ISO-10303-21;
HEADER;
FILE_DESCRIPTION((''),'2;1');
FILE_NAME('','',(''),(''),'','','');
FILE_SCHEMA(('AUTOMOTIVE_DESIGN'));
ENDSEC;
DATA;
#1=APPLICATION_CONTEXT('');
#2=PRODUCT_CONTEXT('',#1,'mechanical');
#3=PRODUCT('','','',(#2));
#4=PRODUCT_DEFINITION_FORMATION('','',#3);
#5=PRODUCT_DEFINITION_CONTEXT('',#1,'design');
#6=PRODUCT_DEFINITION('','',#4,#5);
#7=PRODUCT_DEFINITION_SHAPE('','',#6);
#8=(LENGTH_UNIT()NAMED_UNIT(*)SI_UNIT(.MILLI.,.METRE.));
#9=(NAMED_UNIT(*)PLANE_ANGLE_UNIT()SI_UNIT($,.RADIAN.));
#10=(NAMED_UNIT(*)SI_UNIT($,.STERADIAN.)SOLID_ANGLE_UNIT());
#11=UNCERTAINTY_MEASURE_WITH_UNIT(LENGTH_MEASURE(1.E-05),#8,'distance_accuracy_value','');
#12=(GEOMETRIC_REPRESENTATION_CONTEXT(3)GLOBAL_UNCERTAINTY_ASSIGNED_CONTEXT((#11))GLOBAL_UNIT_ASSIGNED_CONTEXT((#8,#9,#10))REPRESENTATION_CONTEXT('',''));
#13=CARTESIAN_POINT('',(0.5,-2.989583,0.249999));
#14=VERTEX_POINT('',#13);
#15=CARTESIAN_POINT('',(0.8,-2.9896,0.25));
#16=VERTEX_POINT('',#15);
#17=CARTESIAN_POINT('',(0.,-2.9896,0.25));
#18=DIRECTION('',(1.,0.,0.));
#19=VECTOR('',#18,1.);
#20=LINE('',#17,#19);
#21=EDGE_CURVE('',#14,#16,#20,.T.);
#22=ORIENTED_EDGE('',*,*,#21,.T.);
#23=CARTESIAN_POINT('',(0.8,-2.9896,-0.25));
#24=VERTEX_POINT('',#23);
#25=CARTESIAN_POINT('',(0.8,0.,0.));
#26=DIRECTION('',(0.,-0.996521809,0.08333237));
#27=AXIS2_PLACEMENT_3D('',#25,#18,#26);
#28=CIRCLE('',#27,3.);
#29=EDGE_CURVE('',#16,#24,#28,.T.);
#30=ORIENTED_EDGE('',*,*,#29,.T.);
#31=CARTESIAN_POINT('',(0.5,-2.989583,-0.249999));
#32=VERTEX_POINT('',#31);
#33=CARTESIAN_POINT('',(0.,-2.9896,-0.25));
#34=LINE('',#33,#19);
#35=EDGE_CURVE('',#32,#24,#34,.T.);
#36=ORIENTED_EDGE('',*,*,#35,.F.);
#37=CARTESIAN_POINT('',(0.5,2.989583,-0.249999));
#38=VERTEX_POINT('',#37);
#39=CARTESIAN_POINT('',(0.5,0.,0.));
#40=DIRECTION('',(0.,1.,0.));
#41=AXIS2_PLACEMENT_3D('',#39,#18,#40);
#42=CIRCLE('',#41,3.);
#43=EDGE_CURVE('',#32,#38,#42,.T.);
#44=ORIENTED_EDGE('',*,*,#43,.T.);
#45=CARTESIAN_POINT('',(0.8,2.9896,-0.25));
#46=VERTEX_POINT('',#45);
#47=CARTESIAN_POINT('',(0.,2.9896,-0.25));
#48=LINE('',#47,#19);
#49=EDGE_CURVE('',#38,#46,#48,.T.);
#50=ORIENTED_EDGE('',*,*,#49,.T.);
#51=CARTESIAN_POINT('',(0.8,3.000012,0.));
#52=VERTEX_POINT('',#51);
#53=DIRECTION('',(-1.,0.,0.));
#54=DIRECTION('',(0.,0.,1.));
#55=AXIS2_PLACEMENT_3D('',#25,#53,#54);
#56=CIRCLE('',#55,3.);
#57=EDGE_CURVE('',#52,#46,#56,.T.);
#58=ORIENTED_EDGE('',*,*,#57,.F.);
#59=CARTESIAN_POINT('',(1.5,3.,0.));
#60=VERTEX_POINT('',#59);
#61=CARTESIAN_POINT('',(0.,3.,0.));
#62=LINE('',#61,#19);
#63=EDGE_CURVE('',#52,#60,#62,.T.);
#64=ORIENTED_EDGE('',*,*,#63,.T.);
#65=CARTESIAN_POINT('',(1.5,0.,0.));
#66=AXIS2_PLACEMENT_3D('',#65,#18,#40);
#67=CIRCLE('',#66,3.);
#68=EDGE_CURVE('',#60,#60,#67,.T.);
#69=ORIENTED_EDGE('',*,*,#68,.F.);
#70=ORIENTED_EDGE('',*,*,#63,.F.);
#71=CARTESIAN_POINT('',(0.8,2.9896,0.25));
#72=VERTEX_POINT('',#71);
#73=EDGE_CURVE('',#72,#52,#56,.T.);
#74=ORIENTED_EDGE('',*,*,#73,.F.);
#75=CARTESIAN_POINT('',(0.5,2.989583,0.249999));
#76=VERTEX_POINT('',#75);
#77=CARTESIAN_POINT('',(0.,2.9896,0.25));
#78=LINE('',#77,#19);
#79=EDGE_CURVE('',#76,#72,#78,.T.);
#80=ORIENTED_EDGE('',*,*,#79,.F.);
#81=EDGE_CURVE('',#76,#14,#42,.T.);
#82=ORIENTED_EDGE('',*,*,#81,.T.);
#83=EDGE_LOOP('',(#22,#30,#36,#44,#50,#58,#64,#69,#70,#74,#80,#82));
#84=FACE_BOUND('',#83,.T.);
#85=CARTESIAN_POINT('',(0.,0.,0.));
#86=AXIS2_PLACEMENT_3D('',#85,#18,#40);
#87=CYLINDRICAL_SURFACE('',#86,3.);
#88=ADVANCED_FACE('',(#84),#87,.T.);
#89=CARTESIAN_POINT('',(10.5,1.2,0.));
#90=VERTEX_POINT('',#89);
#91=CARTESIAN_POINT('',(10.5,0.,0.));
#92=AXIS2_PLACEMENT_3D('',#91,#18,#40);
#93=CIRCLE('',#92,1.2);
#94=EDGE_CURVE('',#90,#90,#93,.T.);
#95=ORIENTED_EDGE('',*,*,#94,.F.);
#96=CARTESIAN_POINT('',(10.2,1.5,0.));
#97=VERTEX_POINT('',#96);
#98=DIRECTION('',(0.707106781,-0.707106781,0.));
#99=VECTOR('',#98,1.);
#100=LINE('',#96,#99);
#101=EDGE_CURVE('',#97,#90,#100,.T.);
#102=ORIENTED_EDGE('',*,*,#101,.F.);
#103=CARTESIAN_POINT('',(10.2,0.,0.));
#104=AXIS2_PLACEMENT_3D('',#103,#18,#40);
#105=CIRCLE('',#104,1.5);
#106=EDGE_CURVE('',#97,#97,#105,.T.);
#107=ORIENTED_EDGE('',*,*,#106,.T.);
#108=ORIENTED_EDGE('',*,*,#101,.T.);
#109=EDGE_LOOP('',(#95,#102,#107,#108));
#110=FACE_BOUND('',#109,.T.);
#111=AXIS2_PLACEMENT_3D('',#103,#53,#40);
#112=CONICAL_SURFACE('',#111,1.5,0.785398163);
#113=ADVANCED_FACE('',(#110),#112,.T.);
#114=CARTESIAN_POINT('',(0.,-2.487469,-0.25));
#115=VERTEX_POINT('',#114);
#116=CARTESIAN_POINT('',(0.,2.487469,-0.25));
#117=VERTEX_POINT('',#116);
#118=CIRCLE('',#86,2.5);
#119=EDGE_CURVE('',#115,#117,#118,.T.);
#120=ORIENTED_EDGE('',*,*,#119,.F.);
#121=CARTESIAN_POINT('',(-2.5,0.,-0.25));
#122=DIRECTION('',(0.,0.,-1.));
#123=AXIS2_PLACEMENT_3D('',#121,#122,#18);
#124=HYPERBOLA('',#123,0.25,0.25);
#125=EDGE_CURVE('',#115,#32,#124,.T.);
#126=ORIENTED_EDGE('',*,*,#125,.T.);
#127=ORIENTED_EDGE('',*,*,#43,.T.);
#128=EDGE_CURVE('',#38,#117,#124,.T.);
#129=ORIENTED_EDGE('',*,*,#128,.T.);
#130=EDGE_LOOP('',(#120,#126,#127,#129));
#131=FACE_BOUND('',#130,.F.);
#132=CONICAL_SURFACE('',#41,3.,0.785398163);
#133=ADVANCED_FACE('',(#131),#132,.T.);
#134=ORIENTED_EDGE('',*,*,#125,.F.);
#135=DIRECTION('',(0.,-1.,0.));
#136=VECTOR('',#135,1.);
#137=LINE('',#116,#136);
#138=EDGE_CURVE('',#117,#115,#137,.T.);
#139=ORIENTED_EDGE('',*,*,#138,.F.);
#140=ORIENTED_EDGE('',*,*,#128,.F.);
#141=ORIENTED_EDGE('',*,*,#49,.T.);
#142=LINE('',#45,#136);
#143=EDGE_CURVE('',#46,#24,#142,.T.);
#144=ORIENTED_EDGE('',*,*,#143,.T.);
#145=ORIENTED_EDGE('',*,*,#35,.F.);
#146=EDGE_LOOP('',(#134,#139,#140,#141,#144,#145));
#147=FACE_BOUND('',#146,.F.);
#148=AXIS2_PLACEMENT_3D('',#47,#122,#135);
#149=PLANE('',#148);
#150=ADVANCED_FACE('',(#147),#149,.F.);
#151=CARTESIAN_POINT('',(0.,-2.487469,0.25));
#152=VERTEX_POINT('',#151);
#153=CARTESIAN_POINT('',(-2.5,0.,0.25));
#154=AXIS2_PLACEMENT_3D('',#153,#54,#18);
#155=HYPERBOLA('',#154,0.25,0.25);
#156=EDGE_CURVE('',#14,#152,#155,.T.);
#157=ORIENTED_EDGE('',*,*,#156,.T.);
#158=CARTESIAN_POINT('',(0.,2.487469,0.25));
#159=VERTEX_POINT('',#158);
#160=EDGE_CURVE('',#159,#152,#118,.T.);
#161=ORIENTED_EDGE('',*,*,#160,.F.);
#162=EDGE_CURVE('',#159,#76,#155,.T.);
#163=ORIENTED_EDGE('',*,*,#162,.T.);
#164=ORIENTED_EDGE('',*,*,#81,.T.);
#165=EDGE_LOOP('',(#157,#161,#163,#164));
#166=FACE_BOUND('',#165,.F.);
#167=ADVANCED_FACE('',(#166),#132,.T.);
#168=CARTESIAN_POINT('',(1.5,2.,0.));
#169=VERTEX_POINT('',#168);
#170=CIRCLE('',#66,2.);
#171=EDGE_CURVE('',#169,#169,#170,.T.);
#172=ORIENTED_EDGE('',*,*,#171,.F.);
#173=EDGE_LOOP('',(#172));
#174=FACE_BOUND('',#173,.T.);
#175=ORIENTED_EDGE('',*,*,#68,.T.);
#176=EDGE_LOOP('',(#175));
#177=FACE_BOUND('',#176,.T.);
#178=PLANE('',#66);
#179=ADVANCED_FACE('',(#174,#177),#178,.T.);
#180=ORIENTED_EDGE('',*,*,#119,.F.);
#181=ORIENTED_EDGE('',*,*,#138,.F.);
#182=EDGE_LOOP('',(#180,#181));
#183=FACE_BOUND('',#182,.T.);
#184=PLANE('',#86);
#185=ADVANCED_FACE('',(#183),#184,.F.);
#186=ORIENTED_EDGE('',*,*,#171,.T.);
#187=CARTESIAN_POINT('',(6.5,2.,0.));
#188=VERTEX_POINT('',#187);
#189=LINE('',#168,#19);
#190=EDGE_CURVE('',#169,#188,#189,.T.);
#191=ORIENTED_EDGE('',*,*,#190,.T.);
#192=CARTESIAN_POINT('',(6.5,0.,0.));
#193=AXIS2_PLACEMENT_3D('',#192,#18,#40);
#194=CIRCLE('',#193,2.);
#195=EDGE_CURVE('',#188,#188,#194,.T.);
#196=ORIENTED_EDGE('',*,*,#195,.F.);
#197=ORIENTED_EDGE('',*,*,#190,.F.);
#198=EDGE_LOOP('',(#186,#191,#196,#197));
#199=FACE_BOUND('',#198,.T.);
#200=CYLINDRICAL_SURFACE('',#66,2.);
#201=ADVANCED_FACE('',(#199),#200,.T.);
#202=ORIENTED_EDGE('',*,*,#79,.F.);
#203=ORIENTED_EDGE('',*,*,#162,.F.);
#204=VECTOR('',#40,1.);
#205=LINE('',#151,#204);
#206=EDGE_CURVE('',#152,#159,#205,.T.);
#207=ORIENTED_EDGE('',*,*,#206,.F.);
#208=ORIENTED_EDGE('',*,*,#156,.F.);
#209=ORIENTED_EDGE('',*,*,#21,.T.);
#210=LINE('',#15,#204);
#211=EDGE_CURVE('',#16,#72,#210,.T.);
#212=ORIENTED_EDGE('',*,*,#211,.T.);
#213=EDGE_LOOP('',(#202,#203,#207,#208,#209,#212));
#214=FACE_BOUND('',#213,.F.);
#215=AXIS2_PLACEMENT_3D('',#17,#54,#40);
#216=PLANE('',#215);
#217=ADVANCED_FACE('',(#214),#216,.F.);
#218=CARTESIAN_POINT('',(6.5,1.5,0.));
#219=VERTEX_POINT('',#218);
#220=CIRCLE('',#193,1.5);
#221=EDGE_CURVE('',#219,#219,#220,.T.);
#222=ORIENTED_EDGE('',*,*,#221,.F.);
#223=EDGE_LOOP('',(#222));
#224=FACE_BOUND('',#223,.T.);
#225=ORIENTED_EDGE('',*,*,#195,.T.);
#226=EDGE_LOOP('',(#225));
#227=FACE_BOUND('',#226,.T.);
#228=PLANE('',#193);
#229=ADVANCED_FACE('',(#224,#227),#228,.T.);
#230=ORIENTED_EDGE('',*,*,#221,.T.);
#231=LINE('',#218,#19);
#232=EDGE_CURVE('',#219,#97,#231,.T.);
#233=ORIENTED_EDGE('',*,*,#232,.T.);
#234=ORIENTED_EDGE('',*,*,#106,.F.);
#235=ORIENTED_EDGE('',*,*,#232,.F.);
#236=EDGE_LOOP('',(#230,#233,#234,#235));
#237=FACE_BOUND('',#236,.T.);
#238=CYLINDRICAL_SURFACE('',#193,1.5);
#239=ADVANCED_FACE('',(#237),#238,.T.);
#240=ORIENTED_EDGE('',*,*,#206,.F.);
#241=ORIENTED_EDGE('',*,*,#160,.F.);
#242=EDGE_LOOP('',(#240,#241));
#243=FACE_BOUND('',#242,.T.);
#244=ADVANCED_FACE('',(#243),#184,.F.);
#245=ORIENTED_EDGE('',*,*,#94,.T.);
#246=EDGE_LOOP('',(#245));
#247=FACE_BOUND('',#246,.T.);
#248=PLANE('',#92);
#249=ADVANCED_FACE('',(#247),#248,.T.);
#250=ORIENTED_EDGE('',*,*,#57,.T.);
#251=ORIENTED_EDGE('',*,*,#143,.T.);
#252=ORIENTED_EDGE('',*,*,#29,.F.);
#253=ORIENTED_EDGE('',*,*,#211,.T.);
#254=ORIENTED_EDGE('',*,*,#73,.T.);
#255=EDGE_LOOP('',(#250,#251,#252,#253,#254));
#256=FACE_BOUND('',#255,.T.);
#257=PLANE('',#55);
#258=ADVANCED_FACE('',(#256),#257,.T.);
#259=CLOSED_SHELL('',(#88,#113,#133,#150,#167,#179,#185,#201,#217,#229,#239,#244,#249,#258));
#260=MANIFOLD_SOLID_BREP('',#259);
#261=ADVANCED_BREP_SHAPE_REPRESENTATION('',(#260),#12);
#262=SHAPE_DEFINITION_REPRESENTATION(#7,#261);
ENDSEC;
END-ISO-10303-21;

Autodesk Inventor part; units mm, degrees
ref_plane "YZ Plane" through (0, 0, 0) normal (1, 0, 0) x (0, 1, 0)
ref_plane "XZ Plane" through (0, 0, 0) normal (0, 1, 0) x (-1, 0, 0)
ref_plane "XY Plane" through (0, 0, 0) normal (0, 0, 1) x (1, 0, 0)
sketch "Skizze1" plane through (0, 0, 0) normal (0, 0, 1) x (1, 0, 0)
  line L0 (-2.1, 0) -> (12.6, 0) projected
  line L1 (0, -0.6) -> (0, 3.6) projected
  line L2 (0, 0) -> (0, 3)
  line L3 (0, 3) -> (1.5, 3)
  line L4 (1.5, 3) -> (1.5, 2)
  line L5 (1.5, 2) -> (6.5, 2)
  line L6 (6.5, 2) -> (6.5, 1.5)
  line L7 (6.5, 1.5) -> (10.5, 1.5)
  line L8 (10.5, 1.5) -> (10.5, 0)
  line L9 (10.5, 0) -> (0, 0)
  dimension "d0" = 6
  dimension "d1" = 4
  dimension "d2" = 3
  dimension "d3" = 10.5
  dimension "d4" = 4
  dimension "d5" = 9
revolve "Umdrehung1" add sketch "Skizze1" angle 360 about axis through (-10, 0, 0) along (1, 0, 0)
thread "Gewinde1" size "M3x0.5" class "6g" standard "ANSI Metric M Profile" full length
chamfer "Fase1" distance 0.3 angle 45 1 edges at (10.5, -1.5, 0)
chamfer "Fase2" distance 0.5 angle 45 1 edges at (0, -3, 0)
sketch "Skizze2" plane through (0, 0, 0) normal (-1, 0, 0) x (0, 0, 1)
  line L0 (0, -4.2) -> (0, 4.2) projected
  line L1 (-4.2, 0) -> (4.2, 0) projected
  circle A0 centre (0, 0) radius 3 projected
  circle A1 centre (0, 0) radius 3 projected
  line L2 (-0.25, 2.9896) -> (-0.25, -2.9896)
  line L3 (0.25, -2.9896) -> (0.25, 2.9896)
  arc A2 (-0.25, -2.9896) -> (0.25, -2.9896) centre (0, 0) ccw
  arc A3 (0.25, 2.9896) -> (-0.25, 2.9896) centre (0, 0) ccw
  dimension "d15" = 0.5
extrude "Extrusion1" cut sketch "Skizze2" against normal blind 0.8 contours A0 L2 L1 L0 | L0 L1 L3 A0 | L1 L2 A0 L0 | L0 A0 L3 L1
properties part number "Zapfen"
